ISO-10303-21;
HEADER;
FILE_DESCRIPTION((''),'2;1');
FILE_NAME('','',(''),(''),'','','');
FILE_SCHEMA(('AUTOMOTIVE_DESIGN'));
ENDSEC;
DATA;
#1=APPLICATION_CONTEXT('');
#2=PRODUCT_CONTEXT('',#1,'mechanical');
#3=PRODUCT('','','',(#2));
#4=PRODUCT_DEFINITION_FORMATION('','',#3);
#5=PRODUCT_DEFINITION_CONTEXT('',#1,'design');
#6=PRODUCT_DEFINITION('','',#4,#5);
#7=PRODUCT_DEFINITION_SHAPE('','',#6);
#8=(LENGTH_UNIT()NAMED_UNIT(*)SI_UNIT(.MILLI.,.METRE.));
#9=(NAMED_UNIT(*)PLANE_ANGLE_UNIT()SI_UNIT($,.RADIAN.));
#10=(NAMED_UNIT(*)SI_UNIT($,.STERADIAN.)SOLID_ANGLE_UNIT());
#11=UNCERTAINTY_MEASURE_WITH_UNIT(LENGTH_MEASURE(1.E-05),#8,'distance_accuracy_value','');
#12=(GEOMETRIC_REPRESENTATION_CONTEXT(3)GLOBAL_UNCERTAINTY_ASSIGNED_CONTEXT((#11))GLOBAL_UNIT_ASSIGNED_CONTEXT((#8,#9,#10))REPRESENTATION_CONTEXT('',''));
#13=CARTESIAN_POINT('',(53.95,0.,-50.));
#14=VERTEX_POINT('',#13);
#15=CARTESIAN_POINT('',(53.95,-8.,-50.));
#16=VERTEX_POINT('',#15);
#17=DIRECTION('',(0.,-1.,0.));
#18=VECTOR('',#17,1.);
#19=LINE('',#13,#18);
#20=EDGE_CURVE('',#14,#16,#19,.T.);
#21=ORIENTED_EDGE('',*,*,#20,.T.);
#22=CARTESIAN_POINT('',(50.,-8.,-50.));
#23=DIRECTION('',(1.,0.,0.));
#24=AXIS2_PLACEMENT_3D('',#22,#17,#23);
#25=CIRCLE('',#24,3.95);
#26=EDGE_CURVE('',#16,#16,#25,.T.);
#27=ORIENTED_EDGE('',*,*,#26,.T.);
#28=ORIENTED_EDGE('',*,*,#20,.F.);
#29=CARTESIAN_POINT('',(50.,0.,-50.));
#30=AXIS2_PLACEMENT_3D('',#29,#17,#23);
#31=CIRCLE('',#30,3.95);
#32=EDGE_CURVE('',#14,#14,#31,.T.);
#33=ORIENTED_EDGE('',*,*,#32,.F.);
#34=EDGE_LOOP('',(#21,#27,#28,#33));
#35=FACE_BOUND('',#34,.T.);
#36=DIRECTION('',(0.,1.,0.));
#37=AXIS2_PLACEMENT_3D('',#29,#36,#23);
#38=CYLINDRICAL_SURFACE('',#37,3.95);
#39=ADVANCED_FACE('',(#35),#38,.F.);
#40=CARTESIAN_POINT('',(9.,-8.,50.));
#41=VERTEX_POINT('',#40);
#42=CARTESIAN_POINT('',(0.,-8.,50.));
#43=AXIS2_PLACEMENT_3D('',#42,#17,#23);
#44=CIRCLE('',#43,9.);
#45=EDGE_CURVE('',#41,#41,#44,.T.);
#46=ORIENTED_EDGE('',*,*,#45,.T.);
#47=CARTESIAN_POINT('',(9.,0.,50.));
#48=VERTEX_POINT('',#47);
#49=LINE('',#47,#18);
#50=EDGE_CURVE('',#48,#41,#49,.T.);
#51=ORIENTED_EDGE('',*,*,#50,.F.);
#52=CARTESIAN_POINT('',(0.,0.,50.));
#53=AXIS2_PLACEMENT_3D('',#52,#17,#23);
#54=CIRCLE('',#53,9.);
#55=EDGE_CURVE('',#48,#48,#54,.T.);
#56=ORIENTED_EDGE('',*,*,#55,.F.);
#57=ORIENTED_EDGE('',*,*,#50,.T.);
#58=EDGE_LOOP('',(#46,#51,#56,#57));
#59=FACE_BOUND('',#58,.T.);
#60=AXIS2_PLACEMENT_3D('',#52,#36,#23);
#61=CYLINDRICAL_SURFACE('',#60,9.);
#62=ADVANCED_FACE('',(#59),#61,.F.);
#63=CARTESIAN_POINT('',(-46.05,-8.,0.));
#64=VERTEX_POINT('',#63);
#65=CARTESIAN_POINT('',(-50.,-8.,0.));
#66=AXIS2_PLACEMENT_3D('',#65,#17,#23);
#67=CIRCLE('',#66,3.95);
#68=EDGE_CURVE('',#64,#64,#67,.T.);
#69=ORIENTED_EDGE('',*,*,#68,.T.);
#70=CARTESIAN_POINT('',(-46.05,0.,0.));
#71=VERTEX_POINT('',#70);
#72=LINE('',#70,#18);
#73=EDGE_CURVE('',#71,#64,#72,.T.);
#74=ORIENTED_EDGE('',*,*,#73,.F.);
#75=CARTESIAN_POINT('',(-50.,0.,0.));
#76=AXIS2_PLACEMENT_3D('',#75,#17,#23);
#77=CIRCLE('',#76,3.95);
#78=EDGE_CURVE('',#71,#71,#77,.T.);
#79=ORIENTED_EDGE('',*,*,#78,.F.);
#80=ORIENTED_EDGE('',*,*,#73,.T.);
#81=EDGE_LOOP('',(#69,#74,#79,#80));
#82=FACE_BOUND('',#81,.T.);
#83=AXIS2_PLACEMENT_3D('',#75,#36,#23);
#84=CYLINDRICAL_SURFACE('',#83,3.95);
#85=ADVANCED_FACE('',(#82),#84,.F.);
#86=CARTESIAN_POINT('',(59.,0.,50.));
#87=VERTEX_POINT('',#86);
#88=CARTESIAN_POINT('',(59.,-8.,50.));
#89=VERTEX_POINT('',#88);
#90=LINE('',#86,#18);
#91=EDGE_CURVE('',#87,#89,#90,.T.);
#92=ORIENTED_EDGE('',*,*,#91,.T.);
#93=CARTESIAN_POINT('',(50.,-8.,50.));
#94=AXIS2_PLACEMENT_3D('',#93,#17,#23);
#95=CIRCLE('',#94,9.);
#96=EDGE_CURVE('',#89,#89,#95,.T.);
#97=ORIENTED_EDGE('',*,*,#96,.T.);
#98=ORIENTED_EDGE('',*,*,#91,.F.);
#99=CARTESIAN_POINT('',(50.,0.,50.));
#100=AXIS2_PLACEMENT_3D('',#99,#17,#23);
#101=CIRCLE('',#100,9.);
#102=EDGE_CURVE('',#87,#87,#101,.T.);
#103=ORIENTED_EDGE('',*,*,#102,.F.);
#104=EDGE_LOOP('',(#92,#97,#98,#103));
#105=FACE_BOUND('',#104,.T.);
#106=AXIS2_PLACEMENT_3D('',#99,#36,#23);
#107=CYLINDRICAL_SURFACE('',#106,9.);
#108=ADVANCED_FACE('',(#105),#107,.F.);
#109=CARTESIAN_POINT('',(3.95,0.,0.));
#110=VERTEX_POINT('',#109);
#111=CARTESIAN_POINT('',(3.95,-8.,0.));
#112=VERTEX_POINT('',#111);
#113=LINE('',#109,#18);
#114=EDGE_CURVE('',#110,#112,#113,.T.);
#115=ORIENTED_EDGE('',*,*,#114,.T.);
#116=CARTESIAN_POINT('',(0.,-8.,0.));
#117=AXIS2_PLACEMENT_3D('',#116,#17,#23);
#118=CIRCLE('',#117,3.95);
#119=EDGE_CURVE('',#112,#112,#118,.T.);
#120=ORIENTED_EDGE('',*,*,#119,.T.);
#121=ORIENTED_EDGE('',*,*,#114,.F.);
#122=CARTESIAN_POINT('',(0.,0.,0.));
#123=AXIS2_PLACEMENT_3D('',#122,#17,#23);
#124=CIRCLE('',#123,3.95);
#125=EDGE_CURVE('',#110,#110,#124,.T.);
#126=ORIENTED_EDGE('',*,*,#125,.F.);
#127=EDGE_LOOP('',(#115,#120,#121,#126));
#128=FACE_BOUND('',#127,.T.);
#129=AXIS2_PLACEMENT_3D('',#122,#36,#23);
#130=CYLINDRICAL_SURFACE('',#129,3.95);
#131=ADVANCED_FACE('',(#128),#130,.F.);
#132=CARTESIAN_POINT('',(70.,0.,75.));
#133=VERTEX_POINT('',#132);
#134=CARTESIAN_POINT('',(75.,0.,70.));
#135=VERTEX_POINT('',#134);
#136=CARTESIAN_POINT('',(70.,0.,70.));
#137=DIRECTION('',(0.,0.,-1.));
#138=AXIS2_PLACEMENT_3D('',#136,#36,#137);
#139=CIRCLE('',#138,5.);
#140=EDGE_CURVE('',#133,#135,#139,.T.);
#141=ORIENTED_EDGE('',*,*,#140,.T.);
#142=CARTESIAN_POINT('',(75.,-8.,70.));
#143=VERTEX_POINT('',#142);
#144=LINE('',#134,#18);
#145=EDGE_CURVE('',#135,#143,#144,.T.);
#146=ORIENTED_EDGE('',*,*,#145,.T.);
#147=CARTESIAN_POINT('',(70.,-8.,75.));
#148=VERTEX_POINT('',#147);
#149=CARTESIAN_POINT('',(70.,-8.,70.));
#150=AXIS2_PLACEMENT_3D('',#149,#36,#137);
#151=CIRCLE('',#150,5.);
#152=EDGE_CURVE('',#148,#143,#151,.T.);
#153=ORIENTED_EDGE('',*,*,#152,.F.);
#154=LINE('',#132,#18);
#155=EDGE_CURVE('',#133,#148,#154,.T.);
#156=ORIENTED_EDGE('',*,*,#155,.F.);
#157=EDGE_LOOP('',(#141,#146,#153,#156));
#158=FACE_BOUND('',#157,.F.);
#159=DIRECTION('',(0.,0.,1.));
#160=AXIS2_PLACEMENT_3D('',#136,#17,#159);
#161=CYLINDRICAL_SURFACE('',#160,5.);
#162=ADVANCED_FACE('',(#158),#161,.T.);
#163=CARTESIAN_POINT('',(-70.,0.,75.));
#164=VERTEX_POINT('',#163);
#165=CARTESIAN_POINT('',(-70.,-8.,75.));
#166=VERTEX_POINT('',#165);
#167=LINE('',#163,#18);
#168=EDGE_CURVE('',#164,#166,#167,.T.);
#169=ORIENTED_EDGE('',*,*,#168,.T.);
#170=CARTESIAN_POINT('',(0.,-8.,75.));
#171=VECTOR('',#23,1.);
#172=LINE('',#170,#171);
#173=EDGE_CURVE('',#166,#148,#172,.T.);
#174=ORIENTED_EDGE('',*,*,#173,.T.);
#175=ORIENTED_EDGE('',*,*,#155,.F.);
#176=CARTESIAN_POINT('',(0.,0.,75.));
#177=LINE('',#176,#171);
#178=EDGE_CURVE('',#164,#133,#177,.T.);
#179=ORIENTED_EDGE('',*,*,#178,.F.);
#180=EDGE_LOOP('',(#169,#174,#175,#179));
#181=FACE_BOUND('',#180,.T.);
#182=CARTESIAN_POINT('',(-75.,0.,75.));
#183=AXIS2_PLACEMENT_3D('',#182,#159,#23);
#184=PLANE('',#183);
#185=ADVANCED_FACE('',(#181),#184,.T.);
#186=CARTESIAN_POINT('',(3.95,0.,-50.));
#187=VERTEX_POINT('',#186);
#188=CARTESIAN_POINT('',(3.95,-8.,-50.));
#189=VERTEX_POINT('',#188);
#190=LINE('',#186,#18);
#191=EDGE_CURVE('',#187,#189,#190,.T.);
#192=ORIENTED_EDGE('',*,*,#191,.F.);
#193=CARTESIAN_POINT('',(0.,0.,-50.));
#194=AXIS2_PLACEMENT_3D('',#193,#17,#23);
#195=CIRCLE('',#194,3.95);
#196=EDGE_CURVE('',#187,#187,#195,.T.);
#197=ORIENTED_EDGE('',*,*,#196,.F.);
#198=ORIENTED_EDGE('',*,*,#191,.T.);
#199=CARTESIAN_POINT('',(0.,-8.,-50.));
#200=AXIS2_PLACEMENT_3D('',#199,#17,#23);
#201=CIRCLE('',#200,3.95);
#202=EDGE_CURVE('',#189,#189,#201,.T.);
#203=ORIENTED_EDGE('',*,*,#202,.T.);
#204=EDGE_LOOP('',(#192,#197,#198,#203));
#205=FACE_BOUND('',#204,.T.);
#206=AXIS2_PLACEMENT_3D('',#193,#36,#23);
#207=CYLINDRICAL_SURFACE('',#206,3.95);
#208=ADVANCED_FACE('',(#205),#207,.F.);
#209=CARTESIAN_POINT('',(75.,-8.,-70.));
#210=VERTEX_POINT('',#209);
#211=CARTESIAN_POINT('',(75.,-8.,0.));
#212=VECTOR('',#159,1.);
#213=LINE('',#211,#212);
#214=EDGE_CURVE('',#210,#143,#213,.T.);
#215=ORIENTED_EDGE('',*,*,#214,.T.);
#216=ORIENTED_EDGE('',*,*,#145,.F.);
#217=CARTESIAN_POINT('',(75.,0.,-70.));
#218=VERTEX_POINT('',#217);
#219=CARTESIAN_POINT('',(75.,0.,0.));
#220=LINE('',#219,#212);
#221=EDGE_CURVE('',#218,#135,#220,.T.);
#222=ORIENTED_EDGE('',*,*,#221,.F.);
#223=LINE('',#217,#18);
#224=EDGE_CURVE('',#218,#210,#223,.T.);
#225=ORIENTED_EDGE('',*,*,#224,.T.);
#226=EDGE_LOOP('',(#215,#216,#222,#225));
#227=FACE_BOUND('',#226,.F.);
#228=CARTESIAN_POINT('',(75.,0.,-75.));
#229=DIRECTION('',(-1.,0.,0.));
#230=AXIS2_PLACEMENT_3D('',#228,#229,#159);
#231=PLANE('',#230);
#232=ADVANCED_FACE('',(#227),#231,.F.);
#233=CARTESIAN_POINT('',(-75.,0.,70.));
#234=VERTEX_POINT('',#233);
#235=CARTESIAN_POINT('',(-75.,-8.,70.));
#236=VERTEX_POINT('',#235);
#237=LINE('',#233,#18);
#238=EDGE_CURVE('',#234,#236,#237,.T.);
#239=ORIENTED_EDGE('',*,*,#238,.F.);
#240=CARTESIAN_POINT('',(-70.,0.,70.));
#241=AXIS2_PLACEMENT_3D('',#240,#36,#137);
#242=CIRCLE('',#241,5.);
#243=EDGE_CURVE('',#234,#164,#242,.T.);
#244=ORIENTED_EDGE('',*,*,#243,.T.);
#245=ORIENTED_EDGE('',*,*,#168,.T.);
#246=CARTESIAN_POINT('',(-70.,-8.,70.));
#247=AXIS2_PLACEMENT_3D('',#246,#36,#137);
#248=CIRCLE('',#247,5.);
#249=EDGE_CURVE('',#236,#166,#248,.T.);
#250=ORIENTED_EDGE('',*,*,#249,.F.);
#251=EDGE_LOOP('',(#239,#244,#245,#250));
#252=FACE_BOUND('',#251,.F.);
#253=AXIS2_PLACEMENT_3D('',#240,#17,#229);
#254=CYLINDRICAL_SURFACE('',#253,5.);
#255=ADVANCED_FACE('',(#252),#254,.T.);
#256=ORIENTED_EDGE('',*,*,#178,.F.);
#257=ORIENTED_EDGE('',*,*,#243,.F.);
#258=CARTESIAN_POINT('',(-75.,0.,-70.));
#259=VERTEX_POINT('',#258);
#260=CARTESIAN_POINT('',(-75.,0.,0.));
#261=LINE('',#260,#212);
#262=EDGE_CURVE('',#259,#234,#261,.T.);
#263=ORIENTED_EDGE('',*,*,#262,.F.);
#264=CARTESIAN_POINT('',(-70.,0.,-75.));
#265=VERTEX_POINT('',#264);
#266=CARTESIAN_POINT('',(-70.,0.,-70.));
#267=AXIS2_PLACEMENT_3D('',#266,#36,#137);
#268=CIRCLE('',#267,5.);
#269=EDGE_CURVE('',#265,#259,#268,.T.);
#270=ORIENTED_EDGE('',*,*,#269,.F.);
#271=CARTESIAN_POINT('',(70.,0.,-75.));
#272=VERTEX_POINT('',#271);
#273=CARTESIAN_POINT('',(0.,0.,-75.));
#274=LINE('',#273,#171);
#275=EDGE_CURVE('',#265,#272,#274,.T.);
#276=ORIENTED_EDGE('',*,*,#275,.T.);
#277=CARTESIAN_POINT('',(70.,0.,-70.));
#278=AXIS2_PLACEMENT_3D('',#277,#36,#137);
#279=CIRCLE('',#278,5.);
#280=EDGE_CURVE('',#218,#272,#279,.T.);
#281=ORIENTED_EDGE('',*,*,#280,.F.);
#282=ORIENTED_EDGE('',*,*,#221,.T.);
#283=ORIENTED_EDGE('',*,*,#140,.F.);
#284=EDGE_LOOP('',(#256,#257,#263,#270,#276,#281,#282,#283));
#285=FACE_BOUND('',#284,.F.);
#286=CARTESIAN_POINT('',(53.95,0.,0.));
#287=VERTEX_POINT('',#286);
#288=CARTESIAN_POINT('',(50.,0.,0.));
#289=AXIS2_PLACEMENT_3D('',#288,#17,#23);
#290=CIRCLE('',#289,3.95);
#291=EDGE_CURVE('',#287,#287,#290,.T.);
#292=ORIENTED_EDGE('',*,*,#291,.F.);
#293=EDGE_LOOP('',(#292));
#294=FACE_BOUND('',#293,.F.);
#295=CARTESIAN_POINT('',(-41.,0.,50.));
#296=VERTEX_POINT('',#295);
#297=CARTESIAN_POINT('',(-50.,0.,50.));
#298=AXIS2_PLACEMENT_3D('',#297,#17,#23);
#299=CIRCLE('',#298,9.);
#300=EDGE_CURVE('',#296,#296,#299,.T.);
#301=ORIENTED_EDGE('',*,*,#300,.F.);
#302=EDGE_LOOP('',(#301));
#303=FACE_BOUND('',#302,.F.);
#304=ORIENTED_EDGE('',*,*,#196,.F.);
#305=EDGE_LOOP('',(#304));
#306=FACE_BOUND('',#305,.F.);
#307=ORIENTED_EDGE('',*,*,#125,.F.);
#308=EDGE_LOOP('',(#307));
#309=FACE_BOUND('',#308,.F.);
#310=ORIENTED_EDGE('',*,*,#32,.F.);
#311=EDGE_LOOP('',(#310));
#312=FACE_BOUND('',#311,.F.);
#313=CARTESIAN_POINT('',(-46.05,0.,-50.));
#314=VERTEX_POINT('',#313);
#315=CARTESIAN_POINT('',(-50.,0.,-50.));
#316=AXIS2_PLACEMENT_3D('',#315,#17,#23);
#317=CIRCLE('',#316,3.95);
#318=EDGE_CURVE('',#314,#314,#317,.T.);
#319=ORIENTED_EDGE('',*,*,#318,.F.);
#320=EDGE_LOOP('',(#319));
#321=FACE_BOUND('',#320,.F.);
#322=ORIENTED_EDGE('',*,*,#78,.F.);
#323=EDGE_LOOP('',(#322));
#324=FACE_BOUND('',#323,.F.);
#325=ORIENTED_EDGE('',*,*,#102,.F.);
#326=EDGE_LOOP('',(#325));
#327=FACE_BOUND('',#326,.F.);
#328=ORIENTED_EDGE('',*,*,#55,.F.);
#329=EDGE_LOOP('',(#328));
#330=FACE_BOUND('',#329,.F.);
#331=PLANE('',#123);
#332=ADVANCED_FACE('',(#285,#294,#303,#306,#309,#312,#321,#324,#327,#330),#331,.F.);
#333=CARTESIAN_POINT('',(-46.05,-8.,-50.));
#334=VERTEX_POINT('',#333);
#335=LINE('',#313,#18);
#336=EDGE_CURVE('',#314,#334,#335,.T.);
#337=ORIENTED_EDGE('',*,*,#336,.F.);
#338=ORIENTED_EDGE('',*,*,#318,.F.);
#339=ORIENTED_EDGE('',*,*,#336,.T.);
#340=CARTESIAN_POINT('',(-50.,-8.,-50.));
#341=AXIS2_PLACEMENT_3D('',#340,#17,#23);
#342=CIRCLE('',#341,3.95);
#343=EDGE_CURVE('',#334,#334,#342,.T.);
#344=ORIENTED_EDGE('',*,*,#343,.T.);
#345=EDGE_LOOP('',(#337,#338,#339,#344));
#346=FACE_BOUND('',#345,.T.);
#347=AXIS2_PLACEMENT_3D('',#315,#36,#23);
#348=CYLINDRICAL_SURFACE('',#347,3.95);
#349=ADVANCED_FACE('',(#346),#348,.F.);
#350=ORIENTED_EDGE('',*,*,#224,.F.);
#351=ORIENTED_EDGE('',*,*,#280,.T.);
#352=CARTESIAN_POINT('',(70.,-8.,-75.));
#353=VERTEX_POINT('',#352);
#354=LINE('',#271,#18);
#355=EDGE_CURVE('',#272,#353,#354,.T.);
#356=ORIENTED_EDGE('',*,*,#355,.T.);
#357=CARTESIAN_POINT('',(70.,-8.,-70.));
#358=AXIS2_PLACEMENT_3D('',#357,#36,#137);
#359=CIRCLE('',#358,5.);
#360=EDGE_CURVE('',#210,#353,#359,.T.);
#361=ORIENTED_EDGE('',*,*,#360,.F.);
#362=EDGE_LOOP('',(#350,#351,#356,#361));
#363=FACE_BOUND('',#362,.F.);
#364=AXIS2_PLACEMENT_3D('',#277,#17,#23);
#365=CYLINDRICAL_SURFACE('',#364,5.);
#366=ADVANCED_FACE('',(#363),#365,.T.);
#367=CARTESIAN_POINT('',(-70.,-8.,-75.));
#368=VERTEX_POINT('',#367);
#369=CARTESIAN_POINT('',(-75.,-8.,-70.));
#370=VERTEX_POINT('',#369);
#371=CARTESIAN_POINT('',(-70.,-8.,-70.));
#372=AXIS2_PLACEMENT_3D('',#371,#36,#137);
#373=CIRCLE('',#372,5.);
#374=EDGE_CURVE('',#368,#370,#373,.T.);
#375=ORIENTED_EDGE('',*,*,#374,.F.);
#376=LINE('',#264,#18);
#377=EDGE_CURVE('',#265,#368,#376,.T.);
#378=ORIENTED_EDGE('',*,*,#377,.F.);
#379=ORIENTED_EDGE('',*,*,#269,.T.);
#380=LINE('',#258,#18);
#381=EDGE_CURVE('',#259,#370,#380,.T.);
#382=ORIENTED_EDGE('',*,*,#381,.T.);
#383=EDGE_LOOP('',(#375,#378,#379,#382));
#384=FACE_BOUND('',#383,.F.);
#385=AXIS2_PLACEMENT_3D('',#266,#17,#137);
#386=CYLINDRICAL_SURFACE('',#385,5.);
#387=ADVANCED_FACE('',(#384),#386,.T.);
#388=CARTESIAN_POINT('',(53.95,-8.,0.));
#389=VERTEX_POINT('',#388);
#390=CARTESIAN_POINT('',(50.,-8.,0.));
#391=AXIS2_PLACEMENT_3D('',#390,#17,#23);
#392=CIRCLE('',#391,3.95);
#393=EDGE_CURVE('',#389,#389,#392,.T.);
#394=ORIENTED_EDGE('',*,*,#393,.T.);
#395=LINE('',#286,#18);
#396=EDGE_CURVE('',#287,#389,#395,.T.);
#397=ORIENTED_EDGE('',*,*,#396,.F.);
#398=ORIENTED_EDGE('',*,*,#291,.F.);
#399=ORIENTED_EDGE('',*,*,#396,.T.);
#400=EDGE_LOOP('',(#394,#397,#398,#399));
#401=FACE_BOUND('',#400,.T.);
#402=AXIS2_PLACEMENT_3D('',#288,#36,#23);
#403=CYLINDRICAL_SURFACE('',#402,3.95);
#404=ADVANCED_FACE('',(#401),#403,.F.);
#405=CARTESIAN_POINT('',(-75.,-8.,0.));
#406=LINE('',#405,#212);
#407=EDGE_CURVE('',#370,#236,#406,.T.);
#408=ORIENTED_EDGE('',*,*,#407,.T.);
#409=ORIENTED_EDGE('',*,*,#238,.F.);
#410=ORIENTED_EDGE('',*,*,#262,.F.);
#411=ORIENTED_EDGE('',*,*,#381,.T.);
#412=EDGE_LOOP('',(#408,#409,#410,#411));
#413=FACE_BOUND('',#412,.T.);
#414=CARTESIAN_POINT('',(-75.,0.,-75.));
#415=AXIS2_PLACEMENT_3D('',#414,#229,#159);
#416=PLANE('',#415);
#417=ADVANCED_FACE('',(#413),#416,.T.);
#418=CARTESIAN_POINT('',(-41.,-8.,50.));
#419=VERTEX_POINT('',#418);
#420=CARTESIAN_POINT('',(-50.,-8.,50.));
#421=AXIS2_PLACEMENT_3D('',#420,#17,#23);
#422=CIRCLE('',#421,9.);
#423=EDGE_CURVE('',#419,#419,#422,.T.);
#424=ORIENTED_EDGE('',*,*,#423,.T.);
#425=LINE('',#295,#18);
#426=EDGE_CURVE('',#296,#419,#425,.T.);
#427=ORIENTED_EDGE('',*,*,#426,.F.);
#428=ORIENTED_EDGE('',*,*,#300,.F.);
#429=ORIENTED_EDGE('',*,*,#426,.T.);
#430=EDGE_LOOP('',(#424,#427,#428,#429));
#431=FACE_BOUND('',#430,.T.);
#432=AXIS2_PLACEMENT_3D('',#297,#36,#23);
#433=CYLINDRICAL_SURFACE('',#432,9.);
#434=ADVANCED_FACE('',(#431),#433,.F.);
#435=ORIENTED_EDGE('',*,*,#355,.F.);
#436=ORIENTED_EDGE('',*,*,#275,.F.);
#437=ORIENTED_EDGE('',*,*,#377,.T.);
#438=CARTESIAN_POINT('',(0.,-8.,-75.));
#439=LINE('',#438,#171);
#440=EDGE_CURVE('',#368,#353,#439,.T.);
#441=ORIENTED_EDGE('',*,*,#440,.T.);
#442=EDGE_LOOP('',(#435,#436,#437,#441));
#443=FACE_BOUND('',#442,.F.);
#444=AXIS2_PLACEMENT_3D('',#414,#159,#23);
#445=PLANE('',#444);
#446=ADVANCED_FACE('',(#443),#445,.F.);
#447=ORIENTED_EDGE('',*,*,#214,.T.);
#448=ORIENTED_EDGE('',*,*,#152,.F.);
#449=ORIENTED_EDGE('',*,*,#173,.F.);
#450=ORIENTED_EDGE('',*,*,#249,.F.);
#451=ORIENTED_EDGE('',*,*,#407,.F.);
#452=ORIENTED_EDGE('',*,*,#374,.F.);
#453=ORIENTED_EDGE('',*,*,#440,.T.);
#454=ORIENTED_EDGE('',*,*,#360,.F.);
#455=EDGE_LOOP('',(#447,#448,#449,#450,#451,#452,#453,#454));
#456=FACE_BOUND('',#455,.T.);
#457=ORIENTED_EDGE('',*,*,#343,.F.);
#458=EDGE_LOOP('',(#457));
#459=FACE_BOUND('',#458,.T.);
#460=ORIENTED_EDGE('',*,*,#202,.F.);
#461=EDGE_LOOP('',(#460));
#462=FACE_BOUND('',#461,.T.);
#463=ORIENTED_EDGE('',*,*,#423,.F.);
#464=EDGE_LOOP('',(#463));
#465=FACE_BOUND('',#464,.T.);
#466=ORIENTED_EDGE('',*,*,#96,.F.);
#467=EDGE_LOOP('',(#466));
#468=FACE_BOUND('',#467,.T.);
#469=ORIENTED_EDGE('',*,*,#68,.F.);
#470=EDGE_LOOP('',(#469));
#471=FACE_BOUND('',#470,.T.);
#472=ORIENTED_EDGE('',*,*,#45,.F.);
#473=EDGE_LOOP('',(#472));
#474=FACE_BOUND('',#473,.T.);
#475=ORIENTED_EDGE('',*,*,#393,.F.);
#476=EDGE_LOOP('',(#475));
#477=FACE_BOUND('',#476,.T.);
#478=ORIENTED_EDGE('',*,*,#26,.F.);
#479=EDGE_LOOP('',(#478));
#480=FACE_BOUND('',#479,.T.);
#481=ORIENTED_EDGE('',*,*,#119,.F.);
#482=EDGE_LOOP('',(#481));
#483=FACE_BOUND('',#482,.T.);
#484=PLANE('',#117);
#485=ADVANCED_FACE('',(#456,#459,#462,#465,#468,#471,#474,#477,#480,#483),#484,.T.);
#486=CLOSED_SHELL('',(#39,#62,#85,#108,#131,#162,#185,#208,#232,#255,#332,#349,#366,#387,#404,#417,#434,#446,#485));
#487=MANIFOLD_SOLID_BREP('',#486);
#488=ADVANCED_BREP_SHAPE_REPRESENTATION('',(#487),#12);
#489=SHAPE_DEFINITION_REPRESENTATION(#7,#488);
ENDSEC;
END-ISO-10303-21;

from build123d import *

# Parameters (mm, degrees)
F0_W     = 150
F0_H     = 150
F0_R     = 3.95
F0_R_2   = 9
F1_DEPTH = 8
F2_R     = 5
F3_R     = 5
F4_R     = 5
F5_R     = 5


with BuildPart() as f1:
    # F0 (on Front) → F1 (new body)
    with BuildSketch(Plane.XZ):
        Rectangle(F0_W, F0_H)
        with Locations((-50, -50)):
            Circle(F0_R, mode=Mode.SUBTRACT)
        with Locations((0, -50)):
            Circle(F0_R, mode=Mode.SUBTRACT)
        with Locations((50, -50)):
            Circle(F0_R, mode=Mode.SUBTRACT)
        with Locations((-50, 0)):
            Circle(F0_R, mode=Mode.SUBTRACT)
        with Locations((-50, 50)):
            Circle(F0_R_2, mode=Mode.SUBTRACT)
        Circle(F0_R, mode=Mode.SUBTRACT)
        with Locations((50, 0)):
            Circle(F0_R, mode=Mode.SUBTRACT)
        with Locations((0, 50)):
            Circle(F0_R_2, mode=Mode.SUBTRACT)
        with Locations((50, 50)):
            Circle(F0_R_2, mode=Mode.SUBTRACT)
    extrude(amount=F1_DEPTH)

    # F2
    f2_edges = [f1.edges().sort_by_distance(p)[0] for p in [
        (75, -4, 75),
    ]]
    fillet(f2_edges, radius=F2_R)

    # F3
    f3_edges = [f1.edges().sort_by_distance(p)[0] for p in [
        (75, -4, -75),
    ]]
    fillet(f3_edges, radius=F3_R)

    # F4
    f4_edges = [f1.edges().sort_by_distance(p)[0] for p in [
        (-75, -4, -75),
    ]]
    fillet(f4_edges, radius=F4_R)

    # F5
    f5_edges = [f1.edges().sort_by_distance(p)[0] for p in [
        (-75, -4, 75),
    ]]
    fillet(f5_edges, radius=F5_R)


solid = f1.part
